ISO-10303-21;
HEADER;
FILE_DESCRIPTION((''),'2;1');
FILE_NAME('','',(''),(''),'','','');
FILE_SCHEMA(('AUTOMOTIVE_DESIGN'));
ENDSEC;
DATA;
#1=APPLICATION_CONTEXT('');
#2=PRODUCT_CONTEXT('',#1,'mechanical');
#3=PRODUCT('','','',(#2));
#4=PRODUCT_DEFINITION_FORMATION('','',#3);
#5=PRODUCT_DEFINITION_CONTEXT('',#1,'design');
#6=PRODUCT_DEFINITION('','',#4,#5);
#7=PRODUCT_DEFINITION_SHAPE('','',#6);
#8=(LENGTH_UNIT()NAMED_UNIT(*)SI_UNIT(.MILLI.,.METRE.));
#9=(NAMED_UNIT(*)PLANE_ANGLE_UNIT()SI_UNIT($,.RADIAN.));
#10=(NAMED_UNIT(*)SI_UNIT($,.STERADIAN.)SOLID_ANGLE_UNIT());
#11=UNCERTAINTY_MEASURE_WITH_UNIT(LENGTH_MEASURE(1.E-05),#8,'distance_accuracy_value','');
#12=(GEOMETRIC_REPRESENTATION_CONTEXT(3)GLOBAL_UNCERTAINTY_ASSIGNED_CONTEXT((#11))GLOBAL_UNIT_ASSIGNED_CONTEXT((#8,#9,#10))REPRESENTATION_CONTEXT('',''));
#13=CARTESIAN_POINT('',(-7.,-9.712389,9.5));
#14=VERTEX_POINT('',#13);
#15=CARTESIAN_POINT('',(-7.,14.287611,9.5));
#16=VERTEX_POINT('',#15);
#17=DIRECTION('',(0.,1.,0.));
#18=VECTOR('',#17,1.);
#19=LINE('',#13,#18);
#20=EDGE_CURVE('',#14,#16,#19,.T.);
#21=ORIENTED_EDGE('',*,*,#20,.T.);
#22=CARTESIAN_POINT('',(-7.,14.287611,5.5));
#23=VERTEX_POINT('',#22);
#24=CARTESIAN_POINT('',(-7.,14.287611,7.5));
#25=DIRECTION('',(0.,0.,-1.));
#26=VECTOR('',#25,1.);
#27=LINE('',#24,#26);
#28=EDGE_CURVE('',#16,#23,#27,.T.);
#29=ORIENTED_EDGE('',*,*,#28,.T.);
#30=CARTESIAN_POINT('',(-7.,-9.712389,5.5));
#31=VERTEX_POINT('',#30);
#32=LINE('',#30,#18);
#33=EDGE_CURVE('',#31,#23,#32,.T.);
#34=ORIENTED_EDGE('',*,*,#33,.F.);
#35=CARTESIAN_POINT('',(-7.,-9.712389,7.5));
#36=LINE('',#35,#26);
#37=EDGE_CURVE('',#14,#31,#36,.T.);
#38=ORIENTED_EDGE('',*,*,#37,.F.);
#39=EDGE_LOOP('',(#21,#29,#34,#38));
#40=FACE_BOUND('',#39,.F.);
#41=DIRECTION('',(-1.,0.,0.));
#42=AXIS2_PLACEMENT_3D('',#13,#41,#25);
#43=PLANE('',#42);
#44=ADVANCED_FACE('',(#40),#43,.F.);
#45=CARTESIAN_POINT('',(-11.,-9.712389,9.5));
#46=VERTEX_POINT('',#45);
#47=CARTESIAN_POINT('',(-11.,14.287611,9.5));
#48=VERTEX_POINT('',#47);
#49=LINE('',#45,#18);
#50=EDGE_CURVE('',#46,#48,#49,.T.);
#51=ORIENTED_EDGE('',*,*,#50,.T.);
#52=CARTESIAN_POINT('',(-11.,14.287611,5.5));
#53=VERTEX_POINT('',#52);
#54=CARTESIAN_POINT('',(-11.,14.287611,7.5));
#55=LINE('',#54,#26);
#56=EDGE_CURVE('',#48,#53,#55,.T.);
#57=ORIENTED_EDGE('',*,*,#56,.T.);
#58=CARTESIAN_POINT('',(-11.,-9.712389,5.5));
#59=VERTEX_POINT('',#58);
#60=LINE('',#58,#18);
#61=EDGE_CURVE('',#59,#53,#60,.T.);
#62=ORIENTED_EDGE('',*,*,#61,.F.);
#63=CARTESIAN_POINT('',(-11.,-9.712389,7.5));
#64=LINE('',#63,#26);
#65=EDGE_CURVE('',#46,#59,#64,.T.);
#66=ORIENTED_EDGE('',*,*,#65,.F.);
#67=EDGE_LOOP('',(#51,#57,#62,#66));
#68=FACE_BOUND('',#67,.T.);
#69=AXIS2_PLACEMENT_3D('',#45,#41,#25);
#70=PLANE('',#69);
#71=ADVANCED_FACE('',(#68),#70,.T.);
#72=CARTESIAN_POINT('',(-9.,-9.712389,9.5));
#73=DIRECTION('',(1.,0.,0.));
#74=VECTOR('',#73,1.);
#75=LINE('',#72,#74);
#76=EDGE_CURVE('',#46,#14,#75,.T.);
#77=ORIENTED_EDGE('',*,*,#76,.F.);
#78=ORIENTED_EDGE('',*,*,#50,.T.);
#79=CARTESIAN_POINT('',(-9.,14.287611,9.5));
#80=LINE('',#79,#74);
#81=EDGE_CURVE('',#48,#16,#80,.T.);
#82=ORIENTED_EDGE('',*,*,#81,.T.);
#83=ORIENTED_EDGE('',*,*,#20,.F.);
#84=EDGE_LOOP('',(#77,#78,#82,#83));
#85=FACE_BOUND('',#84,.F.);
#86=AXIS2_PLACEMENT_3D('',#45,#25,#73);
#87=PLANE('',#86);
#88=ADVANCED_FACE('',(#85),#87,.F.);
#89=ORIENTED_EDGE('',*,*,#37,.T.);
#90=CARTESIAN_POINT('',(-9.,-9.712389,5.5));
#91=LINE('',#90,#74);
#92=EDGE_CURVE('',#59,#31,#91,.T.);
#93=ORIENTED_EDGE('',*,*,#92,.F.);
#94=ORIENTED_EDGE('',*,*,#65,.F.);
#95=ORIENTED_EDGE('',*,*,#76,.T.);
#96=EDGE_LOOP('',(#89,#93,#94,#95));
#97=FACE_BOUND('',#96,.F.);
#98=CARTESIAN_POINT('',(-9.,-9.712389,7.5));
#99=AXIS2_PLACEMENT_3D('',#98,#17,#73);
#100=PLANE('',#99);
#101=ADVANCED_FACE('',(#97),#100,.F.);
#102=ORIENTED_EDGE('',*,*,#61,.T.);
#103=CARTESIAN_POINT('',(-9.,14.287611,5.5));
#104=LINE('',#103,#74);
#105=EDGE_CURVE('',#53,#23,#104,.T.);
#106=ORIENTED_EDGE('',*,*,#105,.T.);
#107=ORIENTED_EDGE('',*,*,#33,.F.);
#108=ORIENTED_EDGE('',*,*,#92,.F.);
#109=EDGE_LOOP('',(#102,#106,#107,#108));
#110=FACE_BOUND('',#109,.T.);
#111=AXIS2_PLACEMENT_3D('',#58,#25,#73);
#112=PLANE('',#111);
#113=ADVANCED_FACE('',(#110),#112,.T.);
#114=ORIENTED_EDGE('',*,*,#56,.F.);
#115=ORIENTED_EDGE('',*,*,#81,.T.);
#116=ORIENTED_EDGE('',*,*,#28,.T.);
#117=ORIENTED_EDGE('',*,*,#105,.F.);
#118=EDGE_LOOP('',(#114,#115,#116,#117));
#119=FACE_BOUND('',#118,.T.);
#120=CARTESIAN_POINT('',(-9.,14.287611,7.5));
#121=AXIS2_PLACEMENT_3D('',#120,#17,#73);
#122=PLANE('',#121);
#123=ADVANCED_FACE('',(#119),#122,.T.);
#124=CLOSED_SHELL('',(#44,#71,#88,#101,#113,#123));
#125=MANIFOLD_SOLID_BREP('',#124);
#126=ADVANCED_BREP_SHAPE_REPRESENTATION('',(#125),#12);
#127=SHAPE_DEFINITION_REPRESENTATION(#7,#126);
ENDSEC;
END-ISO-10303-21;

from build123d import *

# Parameters (mm, degrees)
SKETCH001_W = 4
SKETCH001_H = 4
PAD_DEPTH   = 24


with BuildPart() as part:
    # Sketch001 → Pad (new body)
    with BuildSketch(Plane(origin=(-8.845912, -9.712389, 7.5), x_dir=(1, 0, 0), z_dir=(0, 1, 0))):
        with Locations((-0.154088, 0)):
            Rectangle(SKETCH001_W, SKETCH001_H)
    extrude(amount=PAD_DEPTH)


solid = part.part
